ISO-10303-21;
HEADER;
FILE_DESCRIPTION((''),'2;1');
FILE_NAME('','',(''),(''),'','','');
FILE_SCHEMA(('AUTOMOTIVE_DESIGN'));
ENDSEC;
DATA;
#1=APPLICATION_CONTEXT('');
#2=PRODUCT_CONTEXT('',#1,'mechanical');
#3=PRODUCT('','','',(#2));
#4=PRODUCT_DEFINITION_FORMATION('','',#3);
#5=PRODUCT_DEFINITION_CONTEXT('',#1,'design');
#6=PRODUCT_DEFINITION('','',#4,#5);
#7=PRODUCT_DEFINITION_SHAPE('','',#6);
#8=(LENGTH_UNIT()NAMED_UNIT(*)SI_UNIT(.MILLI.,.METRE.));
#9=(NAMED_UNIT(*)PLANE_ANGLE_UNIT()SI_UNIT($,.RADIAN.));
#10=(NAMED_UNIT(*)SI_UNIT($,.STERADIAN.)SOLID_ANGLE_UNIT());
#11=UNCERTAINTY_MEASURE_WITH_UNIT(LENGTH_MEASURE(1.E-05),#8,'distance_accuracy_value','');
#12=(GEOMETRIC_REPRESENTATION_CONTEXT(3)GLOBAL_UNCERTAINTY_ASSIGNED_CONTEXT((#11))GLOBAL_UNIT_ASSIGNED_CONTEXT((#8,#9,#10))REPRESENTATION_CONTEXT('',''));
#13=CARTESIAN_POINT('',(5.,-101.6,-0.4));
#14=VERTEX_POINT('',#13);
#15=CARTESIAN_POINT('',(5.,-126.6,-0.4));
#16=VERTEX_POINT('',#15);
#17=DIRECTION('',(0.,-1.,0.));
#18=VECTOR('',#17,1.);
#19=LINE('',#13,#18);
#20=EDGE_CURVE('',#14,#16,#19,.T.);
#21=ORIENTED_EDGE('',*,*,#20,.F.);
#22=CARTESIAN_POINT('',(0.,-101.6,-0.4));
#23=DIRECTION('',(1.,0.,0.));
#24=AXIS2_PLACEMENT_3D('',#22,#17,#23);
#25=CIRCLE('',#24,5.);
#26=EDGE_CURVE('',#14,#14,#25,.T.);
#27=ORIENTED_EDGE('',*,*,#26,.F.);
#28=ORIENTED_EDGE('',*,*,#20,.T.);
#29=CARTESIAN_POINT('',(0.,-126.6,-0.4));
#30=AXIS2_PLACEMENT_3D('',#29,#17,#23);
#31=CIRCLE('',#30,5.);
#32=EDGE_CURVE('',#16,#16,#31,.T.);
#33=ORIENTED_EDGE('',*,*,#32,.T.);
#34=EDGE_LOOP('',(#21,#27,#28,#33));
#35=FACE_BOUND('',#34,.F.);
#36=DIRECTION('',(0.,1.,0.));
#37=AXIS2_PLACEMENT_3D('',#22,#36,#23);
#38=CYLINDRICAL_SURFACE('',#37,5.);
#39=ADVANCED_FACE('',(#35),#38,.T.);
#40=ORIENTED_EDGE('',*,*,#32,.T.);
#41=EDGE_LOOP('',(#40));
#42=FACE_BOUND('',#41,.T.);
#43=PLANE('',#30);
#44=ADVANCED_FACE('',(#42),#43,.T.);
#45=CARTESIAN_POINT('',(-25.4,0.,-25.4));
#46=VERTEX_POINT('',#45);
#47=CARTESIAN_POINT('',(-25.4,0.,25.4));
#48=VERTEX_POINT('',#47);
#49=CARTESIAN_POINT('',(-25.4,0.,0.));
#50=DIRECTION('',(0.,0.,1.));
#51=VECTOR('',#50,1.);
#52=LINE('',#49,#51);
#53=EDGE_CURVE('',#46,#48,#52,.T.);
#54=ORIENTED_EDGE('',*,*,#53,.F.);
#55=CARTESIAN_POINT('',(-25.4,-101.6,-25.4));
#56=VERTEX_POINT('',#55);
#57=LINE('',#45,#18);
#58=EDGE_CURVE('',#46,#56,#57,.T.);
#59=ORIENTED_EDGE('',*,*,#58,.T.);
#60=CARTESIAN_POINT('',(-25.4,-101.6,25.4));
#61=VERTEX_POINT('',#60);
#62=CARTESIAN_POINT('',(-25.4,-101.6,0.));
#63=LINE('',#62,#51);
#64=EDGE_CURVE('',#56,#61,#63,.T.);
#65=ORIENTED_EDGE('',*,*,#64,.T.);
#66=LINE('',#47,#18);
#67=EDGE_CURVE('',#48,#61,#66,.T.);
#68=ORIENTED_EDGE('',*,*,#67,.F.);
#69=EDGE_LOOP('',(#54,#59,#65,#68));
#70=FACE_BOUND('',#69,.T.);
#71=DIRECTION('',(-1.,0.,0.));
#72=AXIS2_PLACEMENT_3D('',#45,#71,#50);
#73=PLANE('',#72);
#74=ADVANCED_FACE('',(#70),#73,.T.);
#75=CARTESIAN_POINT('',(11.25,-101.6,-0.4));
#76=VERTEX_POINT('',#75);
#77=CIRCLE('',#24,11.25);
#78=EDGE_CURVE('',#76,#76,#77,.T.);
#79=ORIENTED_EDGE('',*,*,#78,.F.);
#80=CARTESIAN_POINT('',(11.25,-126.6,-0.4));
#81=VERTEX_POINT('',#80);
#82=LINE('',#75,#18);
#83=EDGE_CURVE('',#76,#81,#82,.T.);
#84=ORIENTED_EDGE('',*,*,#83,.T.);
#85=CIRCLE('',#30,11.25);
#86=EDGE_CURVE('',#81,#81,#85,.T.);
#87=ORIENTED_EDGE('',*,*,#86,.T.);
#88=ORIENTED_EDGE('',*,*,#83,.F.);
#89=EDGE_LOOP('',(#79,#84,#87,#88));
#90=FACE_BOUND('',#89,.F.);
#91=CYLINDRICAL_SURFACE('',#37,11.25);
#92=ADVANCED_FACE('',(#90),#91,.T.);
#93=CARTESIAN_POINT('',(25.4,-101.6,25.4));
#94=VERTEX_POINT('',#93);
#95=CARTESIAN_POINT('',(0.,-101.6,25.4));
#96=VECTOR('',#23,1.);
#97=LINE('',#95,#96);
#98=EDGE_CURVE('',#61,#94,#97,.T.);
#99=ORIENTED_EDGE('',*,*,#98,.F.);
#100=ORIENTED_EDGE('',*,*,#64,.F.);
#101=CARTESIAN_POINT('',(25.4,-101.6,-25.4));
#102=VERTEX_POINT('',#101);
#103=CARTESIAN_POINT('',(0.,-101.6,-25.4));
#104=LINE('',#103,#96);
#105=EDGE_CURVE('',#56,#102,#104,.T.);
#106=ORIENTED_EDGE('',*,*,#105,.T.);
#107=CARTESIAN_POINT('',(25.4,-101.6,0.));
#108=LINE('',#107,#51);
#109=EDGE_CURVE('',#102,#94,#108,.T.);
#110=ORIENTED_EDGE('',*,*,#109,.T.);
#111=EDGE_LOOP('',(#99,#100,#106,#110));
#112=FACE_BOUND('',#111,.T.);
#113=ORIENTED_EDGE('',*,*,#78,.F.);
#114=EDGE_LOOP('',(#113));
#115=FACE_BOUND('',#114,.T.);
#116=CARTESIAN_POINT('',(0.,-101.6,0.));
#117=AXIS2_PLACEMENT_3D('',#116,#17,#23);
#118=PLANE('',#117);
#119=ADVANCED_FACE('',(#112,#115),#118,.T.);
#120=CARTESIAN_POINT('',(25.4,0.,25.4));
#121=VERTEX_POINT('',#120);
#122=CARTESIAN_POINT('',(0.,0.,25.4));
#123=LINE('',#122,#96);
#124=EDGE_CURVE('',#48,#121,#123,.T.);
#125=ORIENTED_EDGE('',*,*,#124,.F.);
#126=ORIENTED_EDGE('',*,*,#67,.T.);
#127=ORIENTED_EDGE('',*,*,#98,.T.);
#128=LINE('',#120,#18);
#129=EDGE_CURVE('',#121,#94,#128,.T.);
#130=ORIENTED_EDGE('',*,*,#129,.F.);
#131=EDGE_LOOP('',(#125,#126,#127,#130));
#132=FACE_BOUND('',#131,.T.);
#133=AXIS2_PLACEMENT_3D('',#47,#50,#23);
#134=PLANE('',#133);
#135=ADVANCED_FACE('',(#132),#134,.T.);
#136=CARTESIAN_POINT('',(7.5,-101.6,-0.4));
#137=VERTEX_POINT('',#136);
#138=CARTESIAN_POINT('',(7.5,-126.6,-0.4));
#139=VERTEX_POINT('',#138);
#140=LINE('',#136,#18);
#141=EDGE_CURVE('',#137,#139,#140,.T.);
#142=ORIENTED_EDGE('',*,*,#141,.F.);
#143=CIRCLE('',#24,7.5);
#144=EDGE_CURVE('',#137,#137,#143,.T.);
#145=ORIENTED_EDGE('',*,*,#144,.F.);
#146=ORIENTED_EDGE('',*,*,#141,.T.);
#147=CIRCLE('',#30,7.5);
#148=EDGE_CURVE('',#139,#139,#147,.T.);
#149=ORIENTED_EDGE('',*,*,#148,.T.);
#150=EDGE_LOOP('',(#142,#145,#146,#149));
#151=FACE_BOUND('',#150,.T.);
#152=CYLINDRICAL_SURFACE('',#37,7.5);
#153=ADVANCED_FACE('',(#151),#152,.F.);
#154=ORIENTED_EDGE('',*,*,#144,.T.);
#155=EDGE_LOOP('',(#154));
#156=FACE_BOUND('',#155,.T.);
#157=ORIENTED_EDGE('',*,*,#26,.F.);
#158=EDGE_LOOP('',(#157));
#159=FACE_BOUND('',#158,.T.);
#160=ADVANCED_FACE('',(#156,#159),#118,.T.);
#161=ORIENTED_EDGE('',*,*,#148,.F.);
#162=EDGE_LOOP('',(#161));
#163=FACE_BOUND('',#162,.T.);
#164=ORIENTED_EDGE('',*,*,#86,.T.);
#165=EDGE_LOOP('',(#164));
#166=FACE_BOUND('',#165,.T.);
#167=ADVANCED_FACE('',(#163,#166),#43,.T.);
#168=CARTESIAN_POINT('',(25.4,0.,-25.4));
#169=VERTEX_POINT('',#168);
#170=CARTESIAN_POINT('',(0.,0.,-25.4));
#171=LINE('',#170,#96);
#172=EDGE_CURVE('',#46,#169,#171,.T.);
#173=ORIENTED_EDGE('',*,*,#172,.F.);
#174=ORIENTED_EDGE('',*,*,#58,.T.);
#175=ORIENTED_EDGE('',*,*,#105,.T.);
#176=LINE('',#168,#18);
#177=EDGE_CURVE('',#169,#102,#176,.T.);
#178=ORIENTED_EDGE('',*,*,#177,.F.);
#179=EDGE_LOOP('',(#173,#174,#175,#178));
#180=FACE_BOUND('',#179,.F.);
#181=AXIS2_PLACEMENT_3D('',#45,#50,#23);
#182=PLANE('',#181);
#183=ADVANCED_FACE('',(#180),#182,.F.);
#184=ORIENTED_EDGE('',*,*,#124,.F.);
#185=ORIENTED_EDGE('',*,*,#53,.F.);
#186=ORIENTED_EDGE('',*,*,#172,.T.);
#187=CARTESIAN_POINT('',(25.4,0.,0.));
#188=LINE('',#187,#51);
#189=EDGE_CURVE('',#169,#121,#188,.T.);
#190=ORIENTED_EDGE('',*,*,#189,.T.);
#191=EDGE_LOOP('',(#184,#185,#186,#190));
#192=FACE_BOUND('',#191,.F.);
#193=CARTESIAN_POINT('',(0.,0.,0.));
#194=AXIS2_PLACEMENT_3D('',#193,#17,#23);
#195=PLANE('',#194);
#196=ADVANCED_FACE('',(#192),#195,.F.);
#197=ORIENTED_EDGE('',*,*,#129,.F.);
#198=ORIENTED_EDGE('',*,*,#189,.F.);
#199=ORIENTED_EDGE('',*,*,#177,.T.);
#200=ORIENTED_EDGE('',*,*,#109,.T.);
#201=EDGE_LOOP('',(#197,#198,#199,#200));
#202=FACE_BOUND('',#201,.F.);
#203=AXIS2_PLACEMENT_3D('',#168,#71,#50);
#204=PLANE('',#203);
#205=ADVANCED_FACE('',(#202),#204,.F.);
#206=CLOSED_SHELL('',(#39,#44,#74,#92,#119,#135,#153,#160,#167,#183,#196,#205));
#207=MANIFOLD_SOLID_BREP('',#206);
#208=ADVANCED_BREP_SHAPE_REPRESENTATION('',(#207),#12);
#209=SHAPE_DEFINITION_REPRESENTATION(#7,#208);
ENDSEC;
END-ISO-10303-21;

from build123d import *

# Parameters (mm, degrees)
F0_W     = 50.8
F0_H     = 50.8
F1_DEPTH = 101.6
F2_R     = 11.25
F2_R_2   = 7.5
F2_R_3   = 5
F3_DEPTH = 25


with BuildPart() as f1:
    # F0 (on Front) → F1 (new body)
    with BuildSketch(Plane.XZ):
        Rectangle(F0_W, F0_H)
    extrude(amount=F1_DEPTH)

    # F2 (on face) → F3 (join)
    with BuildSketch(Plane.XZ.offset(101.6)):
        with Locations((0, -0.4)):
            Circle(F2_R)
        with Locations((0, -0.4)):
            Circle(F2_R_2, mode=Mode.SUBTRACT)
        with Locations((0, -0.4)):
            Circle(F2_R_3)
    extrude(amount=F3_DEPTH)


solid = f1.part
